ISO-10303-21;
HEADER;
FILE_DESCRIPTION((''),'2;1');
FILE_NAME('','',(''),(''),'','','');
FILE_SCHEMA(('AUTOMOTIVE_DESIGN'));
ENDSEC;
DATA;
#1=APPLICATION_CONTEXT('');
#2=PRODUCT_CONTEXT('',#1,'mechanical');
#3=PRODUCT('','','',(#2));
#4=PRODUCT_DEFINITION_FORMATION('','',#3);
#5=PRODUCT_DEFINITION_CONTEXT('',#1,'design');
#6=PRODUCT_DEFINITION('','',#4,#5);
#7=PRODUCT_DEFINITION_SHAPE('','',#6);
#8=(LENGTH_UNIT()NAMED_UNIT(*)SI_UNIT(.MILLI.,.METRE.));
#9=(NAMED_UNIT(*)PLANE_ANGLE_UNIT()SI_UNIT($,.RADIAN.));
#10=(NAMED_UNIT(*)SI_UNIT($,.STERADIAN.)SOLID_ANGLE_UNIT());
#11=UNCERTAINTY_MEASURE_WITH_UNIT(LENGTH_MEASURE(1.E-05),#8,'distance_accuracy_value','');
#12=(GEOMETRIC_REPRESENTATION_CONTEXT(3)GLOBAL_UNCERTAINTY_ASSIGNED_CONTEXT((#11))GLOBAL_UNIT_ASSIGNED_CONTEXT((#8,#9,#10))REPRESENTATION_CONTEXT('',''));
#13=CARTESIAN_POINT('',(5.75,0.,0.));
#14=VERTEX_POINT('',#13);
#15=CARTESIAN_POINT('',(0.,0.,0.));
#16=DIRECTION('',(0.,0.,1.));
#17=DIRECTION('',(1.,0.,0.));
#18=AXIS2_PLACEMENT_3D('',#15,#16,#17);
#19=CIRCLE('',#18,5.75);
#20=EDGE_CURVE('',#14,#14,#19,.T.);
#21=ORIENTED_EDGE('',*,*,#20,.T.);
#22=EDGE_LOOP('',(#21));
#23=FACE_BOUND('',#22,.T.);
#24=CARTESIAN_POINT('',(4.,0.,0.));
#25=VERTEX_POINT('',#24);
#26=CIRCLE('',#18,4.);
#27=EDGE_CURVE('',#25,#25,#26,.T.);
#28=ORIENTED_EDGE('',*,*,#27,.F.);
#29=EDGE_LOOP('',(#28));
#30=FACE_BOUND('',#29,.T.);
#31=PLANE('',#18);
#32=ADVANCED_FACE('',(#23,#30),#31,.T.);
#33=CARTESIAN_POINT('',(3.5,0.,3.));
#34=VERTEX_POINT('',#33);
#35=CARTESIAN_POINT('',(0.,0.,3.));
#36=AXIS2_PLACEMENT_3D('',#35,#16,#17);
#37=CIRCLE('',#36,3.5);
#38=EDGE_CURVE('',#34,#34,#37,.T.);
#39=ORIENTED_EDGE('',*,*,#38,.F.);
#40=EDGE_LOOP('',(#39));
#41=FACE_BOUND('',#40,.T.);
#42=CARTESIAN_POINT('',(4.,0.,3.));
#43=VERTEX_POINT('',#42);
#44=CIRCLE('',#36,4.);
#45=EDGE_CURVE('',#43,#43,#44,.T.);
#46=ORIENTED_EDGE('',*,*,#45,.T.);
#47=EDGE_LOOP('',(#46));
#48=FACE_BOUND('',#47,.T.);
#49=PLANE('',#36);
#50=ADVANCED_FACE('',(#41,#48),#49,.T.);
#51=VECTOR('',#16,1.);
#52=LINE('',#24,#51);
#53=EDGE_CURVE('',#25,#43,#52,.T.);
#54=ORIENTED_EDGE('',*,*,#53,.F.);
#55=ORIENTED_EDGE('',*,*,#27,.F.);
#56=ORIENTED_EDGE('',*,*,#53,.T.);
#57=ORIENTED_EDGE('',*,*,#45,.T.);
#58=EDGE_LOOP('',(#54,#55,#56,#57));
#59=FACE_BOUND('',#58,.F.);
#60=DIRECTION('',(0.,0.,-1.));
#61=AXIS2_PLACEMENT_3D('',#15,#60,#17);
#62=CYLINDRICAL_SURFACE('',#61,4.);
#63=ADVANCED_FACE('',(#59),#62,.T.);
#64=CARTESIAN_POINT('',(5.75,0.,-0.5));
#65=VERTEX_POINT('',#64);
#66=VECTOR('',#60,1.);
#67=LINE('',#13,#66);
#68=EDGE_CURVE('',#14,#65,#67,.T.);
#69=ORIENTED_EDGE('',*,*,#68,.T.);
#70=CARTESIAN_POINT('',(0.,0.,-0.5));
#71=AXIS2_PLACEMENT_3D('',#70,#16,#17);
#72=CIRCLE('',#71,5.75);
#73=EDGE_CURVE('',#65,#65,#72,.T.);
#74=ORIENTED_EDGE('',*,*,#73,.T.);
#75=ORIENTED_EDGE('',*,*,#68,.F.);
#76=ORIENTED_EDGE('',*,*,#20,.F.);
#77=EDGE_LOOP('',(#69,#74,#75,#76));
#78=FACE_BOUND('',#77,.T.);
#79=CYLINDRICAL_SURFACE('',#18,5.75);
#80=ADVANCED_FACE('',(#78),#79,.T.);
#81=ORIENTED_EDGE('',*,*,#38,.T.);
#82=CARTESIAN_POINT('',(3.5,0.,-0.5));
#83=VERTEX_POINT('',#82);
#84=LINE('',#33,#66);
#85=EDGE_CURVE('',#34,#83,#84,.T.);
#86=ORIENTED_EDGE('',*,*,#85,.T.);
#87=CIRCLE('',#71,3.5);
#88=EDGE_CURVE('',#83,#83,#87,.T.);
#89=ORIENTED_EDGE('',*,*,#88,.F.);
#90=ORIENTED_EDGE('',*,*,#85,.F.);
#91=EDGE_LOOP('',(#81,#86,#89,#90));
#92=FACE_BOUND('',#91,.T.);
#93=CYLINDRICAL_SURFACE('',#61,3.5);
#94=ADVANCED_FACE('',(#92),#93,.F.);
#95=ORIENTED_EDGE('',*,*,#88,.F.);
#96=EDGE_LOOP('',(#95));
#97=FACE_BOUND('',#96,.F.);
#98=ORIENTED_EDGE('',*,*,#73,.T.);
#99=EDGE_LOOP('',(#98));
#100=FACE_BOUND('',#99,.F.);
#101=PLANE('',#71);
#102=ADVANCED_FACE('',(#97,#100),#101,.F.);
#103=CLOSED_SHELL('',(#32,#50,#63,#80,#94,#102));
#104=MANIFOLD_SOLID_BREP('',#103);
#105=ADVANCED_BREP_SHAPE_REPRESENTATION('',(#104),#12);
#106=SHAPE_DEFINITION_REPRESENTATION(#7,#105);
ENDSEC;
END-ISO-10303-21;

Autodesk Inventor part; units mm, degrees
ref_plane "YZ Plane" through (0, 0, 0) normal (1, 0, 0) x (0, 1, 0)
ref_plane "XZ Plane" through (0, 0, 0) normal (0, 1, 0) x (-1, 0, 0)
ref_plane "XY Plane" through (0, 0, 0) normal (0, 0, 1) x (1, 0, 0)
sketch "スケッチ1" plane through (0, 0, 0) normal (0, 0, 1) x (1, 0, 0)
  circle A0 centre (0, 0) radius 3.5
  circle A1 centre (0, 0) radius 4
  circle A2 centre (0, 0) radius 5.75
  dimension "d0" = 7
  dimension "d1" = 8
  dimension "d2" = 11.5
extrude "押し出し1" add sketch "スケッチ1" along normal blind 3 contours A1
extrude "押し出し2" add sketch "スケッチ1" against normal blind 0.5 contours A1 | A2
properties part number "ドライメットブッシュ0.5 内径7長さ3" material "鋼"
